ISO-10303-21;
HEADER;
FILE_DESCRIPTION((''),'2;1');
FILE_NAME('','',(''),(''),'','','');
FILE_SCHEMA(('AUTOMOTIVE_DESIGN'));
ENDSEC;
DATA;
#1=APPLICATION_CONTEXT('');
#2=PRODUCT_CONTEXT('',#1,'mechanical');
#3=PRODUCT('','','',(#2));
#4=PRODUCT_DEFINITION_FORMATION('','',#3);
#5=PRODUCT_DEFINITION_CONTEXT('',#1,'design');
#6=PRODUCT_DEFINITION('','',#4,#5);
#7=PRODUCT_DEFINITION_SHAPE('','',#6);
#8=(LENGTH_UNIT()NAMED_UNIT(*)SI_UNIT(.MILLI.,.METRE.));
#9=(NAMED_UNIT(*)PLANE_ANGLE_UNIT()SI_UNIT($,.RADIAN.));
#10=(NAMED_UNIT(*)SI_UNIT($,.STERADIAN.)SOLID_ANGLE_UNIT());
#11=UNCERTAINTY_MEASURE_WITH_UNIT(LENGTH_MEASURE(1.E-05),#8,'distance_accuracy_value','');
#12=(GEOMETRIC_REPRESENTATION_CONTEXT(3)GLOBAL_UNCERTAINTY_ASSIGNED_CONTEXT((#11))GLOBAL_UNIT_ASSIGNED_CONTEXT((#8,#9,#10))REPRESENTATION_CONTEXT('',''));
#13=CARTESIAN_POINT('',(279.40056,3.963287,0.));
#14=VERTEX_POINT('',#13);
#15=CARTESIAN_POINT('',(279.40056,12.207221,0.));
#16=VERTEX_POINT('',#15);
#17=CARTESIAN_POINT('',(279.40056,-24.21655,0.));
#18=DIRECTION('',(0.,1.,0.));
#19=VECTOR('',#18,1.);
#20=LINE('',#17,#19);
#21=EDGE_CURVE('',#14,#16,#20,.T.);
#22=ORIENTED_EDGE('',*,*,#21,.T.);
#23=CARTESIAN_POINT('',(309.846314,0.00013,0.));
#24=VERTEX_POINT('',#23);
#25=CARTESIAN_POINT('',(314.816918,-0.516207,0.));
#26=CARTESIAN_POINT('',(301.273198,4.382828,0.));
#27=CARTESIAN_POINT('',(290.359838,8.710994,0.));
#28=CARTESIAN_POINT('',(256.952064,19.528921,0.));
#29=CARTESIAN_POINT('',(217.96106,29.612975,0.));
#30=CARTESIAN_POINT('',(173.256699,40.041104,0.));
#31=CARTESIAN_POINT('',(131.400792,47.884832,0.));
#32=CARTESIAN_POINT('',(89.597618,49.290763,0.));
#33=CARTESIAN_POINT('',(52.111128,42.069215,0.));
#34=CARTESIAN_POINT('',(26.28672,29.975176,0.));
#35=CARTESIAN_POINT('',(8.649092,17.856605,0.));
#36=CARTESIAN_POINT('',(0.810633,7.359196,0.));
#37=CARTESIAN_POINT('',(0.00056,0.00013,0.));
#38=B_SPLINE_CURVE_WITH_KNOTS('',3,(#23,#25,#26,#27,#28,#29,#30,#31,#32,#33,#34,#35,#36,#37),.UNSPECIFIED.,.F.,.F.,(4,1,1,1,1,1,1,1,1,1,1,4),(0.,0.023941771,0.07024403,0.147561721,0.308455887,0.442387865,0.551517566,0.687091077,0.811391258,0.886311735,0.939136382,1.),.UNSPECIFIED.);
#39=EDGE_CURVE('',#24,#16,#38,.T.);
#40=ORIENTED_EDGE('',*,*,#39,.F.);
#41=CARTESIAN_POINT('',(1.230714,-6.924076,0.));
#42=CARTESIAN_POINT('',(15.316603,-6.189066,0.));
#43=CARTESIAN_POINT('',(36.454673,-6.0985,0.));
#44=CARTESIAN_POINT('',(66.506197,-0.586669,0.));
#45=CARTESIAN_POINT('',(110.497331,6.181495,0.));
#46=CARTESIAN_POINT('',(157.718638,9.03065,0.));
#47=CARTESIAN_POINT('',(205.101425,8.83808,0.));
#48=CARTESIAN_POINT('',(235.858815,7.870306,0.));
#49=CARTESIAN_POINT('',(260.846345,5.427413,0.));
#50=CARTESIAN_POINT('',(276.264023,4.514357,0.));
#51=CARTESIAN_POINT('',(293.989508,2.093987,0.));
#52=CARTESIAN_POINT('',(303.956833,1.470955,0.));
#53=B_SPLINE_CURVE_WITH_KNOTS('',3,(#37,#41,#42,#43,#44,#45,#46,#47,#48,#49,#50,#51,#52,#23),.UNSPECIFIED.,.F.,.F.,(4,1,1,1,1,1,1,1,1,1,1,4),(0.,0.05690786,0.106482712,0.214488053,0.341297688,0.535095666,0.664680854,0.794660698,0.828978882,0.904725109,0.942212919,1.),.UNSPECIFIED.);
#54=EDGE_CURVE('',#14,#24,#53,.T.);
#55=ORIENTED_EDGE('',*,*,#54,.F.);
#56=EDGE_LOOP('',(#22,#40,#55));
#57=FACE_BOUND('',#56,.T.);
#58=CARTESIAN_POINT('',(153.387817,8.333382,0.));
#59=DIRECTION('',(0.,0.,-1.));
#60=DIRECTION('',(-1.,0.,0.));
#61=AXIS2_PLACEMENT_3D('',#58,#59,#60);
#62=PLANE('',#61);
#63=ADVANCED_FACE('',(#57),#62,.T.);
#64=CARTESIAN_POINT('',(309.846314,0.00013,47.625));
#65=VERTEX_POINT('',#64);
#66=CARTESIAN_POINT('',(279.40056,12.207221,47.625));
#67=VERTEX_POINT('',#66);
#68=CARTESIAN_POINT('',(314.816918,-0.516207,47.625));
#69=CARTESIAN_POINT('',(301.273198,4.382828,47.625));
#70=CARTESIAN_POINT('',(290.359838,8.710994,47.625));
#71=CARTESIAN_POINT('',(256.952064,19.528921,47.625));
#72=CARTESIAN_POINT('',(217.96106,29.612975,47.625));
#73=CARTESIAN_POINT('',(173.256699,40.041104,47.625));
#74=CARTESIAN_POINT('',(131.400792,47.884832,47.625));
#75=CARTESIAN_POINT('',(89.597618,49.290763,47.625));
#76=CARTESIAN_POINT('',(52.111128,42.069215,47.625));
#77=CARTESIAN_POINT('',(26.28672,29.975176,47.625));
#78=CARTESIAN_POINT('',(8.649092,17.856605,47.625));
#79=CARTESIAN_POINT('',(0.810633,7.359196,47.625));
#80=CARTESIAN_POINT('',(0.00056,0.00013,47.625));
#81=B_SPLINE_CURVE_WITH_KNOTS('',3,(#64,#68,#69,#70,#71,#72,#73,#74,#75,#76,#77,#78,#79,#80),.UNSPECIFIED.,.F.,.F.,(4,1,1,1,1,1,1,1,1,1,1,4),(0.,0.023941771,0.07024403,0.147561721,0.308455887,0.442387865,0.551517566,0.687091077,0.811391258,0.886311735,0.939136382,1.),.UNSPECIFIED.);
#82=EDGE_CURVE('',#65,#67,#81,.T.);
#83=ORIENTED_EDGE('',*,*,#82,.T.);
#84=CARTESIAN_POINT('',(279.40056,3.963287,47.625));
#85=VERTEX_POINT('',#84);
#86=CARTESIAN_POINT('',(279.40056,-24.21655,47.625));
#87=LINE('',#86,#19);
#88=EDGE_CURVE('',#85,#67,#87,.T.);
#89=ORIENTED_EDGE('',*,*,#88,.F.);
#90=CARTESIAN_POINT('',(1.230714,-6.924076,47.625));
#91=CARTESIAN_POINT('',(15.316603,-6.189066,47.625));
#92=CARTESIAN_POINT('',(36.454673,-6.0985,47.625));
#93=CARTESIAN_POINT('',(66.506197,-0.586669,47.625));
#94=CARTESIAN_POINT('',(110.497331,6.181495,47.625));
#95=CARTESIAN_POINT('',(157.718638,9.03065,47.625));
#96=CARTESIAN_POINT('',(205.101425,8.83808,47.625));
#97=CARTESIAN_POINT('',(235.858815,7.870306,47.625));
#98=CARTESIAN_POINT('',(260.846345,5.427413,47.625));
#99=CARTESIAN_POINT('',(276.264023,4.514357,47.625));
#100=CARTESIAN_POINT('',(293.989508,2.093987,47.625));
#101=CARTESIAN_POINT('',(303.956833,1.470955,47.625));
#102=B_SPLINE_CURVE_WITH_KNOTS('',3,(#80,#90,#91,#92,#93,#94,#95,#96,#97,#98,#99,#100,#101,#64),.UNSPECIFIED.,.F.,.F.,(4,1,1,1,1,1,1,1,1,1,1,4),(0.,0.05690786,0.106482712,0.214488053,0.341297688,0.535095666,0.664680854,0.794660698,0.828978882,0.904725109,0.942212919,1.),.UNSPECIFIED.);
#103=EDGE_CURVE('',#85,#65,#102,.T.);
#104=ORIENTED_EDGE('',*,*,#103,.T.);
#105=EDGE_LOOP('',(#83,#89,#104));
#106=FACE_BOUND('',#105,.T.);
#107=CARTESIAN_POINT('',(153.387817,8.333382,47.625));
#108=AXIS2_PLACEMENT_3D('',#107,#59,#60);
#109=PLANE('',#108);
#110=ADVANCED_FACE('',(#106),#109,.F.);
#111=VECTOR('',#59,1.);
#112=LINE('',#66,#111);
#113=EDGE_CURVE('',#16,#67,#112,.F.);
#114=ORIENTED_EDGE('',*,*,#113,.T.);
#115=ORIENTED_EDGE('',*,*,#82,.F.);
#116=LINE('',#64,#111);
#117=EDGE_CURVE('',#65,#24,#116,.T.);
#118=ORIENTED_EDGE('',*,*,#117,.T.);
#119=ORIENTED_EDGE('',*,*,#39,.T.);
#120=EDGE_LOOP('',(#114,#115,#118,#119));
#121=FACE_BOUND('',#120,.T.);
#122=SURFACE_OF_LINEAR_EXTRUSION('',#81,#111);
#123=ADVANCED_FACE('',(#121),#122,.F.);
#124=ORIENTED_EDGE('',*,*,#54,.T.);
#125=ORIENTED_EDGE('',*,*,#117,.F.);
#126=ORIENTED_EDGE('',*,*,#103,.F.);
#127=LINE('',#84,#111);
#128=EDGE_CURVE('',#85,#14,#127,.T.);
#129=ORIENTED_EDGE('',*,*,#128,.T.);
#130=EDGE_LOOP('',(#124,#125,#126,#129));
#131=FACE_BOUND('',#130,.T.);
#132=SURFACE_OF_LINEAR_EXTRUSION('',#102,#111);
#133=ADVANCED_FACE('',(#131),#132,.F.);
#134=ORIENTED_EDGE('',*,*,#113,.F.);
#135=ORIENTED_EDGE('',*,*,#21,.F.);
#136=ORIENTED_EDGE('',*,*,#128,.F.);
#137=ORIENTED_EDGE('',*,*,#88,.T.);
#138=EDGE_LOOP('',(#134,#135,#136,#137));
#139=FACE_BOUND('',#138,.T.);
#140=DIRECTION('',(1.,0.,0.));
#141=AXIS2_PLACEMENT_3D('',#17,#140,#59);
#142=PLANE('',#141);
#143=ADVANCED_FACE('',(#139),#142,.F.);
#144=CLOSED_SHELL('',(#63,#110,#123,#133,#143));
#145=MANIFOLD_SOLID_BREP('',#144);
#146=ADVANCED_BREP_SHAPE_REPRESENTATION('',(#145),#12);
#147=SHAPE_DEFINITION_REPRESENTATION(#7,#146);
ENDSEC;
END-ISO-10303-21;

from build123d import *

# Parameters (mm, degrees)
BOSS_EXTRUDE1_DEPTH = 47.625
SKETCH2_R           = 6.35
SKETCH2_R_2         = 3.175
CUT_EXTRUDE1_DEPTH  = 320.299711675
SKETCH4_W           = 311.186636553
SKETCH4_H           = 117.489254048
CUT_EXTRUDE3_DEPTH  = 320.299711675


with BuildPart() as part:
    # Sketch1 → Boss-Extrude1 (new body)
    with BuildSketch(Plane.XY):
        with BuildLine():
            add(Edge.make_bspline(
                [(0.000560351, 0.000130087), (0.810633127, 7.359196055), (8.649092025, 17.856605174), (26.286719818, 29.975176328), (52.111128271, 42.069215275), (89.597618475, 49.290763054), (131.400792109, 47.884831915), (173.256699242, 40.041104278), (217.961060472, 29.612974894), (256.952064401, 19.528920948), (290.35983767, 8.71099439), (301.273197721, 4.382828139), (314.816918223, -0.516206742), (309.846313895, 0.000130087)],
                knots=[0, 0, 0, 0, 0.060863618, 0.113688265, 0.188608742, 0.312908923, 0.448482434, 0.557612135, 0.691544113, 0.852438279, 0.92975597, 0.976058229, 1, 1, 1, 1], degree=3))
            add(Edge.make_bspline(
                [(309.846313895, 0.000130087), (303.956832565, 1.47095521), (293.989507544, 2.093987313), (276.26402299, 4.514356704), (260.846344817, 5.427413394), (235.858814759, 7.870306192), (205.101424636, 8.838080282), (157.718638092, 9.030650149), (110.497331172, 6.181495223), (66.506197185, -0.586669107), (36.454672816, -6.098499901), (15.316603331, -6.189065841), (1.230714189, -6.924076091), (0.000560351, 0.000130087)],
                knots=[0, 0, 0, 0, 0.057787081, 0.095274891, 0.171021118, 0.205339302, 0.335319146, 0.464904334, 0.658702312, 0.785511947, 0.893517288, 0.94309214, 1, 1, 1, 1], degree=3))
        make_face()
    extrude(amount=BOSS_EXTRUDE1_DEPTH)

    # Sketch2 → Cut-Extrude1 (cut, through all)
    with BuildSketch(Plane.XY.offset(47.625)):
        with Locations((20.32, 10.16)):
            Circle(SKETCH2_R)
        with Locations((227.296313895, 19.050130087)):
            Circle(SKETCH2_R_2)
    extrude(amount=-CUT_EXTRUDE1_DEPTH, mode=Mode.SUBTRACT)

    # Sketch4 → Cut-Extrude3 (cut, through all)
    with BuildSketch(Plane.XY.offset(47.625)):
        with Locations((123.807242075, 34.528076629)):
            Rectangle(SKETCH4_W, SKETCH4_H)
    extrude(amount=-CUT_EXTRUDE3_DEPTH, mode=Mode.SUBTRACT)


solid = part.part
